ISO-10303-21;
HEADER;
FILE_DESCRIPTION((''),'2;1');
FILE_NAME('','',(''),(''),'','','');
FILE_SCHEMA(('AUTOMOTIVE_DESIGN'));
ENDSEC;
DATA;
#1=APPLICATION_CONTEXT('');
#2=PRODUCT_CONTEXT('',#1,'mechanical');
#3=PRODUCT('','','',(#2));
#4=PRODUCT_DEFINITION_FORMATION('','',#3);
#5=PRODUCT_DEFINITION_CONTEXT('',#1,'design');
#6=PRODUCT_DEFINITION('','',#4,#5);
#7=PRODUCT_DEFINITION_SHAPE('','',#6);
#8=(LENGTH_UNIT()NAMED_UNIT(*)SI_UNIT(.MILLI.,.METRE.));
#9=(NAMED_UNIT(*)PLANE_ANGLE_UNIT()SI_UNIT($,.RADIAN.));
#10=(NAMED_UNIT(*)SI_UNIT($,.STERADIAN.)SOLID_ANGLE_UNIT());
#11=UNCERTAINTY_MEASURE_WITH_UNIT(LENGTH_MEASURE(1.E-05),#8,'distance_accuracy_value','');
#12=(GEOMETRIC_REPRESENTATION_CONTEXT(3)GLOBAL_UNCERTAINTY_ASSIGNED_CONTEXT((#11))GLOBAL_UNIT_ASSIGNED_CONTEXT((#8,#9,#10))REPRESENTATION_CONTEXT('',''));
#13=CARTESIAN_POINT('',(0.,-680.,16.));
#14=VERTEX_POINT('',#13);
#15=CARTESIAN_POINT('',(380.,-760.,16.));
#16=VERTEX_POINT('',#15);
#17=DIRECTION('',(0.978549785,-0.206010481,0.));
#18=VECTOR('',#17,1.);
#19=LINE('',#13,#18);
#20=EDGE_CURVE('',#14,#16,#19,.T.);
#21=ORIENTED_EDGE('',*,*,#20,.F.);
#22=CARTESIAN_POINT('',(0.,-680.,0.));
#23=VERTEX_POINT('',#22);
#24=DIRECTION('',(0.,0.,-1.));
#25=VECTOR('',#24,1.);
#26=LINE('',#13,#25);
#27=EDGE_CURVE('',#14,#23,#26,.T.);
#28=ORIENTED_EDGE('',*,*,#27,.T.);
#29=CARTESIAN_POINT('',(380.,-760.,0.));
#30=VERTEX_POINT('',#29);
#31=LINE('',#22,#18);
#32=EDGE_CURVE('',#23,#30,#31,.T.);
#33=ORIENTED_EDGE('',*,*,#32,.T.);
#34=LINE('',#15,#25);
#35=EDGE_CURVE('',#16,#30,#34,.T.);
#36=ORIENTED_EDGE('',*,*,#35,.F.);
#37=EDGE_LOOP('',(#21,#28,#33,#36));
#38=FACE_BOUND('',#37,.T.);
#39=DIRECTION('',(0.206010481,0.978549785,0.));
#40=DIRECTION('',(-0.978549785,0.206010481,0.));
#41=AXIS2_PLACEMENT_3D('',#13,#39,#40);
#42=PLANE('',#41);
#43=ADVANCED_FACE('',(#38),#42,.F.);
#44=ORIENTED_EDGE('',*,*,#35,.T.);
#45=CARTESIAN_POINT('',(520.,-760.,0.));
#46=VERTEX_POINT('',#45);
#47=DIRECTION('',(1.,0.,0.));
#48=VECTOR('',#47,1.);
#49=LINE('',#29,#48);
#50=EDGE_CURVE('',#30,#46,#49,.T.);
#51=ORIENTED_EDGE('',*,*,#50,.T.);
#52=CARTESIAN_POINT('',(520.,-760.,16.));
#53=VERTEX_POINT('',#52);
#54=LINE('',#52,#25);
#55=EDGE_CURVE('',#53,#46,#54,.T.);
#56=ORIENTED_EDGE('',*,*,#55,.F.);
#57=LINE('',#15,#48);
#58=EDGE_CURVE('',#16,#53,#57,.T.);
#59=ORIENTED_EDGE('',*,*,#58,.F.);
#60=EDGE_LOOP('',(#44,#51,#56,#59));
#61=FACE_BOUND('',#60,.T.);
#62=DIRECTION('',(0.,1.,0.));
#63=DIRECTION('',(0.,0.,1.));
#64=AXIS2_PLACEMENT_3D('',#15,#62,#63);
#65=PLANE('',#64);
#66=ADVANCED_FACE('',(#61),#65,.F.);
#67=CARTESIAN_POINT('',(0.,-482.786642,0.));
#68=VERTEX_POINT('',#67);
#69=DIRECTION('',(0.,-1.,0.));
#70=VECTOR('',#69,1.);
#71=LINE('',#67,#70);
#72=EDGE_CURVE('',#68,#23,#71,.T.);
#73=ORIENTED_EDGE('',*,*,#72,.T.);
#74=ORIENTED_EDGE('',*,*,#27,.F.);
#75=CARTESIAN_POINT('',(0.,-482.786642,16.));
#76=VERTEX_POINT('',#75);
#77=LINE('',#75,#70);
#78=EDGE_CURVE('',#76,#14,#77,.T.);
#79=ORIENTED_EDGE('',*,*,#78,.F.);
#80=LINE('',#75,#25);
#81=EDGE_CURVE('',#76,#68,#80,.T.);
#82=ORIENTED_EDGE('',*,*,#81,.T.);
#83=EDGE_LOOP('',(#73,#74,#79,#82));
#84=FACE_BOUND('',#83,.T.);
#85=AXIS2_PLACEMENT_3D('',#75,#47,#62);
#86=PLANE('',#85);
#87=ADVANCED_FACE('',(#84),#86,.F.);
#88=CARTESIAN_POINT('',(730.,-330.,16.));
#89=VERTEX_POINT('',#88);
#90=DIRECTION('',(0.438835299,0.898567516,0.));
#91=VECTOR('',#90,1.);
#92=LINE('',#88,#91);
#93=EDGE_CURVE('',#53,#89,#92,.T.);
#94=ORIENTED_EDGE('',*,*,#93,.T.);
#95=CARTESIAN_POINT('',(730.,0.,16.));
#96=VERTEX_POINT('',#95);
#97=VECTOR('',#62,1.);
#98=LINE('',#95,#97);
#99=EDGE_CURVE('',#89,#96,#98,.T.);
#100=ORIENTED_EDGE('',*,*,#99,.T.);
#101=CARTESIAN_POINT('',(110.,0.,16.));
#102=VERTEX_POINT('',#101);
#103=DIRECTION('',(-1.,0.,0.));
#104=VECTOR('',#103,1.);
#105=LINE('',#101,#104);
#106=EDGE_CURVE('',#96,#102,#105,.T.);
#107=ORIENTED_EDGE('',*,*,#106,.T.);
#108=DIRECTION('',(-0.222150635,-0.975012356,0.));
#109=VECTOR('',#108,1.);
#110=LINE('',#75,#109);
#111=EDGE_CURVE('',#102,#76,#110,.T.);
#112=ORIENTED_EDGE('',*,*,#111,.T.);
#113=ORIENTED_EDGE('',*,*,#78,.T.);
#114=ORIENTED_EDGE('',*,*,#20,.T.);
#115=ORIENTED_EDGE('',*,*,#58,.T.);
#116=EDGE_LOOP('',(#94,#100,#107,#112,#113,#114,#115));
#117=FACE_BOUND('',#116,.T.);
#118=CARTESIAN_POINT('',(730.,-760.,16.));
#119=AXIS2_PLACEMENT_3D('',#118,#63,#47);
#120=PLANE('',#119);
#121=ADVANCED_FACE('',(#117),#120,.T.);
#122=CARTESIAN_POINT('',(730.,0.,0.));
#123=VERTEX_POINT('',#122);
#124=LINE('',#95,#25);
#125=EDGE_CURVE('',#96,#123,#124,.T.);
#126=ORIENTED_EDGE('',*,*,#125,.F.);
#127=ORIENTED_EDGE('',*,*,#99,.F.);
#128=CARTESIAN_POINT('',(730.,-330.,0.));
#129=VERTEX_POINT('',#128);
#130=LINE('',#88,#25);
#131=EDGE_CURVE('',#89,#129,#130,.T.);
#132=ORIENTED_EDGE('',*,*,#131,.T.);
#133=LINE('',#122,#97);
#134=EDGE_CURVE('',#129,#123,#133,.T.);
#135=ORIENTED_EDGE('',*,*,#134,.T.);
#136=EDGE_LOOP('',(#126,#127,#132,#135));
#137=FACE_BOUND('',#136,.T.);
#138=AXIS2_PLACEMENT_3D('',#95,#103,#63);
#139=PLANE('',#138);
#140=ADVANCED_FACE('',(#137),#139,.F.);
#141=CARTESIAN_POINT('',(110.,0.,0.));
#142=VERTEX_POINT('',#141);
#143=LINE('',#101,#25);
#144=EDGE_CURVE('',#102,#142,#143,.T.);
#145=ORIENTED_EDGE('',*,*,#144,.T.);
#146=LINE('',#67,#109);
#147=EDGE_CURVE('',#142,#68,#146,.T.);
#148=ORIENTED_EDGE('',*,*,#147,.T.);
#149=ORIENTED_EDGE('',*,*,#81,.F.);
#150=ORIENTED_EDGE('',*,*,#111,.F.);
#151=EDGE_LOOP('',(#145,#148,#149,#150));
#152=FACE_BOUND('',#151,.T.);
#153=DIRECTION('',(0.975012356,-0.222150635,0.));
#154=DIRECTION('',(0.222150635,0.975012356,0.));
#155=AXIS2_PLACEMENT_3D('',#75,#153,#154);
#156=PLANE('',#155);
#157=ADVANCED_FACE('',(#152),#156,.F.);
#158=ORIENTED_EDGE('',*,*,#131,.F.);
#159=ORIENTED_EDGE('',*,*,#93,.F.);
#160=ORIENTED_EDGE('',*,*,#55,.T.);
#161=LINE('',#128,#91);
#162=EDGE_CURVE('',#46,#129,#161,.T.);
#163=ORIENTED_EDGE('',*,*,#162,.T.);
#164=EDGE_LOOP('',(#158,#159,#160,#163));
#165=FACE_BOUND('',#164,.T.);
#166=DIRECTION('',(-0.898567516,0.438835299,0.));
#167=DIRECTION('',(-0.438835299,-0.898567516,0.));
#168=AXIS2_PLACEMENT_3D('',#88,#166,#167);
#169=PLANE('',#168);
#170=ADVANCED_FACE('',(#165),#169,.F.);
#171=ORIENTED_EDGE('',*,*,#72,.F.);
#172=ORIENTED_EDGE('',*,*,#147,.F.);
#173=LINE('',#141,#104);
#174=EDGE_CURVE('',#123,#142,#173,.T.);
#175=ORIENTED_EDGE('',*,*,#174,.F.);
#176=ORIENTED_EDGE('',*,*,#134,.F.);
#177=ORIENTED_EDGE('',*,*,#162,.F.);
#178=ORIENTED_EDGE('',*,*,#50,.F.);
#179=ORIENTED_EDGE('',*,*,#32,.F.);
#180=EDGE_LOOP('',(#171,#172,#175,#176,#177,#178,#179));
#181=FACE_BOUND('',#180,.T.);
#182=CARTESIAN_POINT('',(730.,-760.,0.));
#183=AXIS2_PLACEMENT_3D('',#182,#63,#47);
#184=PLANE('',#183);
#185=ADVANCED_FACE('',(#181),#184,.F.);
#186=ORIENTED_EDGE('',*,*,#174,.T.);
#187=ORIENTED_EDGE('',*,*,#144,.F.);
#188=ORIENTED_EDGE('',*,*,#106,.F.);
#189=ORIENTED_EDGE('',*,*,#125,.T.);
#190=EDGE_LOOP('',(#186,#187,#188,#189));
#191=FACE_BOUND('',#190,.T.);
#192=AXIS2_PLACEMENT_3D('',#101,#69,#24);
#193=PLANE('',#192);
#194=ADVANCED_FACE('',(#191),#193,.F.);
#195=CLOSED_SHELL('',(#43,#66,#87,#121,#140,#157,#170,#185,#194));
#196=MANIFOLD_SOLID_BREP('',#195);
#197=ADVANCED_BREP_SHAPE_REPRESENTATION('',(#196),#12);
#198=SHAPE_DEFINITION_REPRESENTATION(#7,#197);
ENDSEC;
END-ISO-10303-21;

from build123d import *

# Parameters (mm, degrees)
SKETCH_1_R         = 13
EXTRUDE_1545_DEPTH = 16
EXTRUDE_1_DEPTH    = 16


with BuildPart() as part:
    # 草图1 → Extrude 1545 (new body)
    with BuildSketch(Plane.XY):
        Polygon((730, -330), (520, -760), (380, -760), (0, -680), (0, -482.786642105), (110, 0), (730, 0), align=None)
        with Locations((510, -70)):
            Circle(SKETCH_1_R, mode=Mode.SUBTRACT)
        with Locations((590, -70)):
            Circle(SKETCH_1_R, mode=Mode.SUBTRACT)
        with Locations((670, -70)):
            Circle(SKETCH_1_R, mode=Mode.SUBTRACT)
        with Locations((510, -150)):
            Circle(SKETCH_1_R, mode=Mode.SUBTRACT)
        with Locations((590, -150)):
            Circle(SKETCH_1_R, mode=Mode.SUBTRACT)
        with Locations((670, -150)):
            Circle(SKETCH_1_R, mode=Mode.SUBTRACT)
        with Locations((510, -230)):
            Circle(SKETCH_1_R, mode=Mode.SUBTRACT)
        with Locations((590, -230)):
            Circle(SKETCH_1_R, mode=Mode.SUBTRACT)
        with Locations((670, -230)):
            Circle(SKETCH_1_R, mode=Mode.SUBTRACT)
        with Locations(Location((230, -230, 0), (0, 0, 180))):
            Circle(SKETCH_1_R, mode=Mode.SUBTRACT)
        with Locations(Location((310, -230, 0), (0, 0, 180))):
            Circle(SKETCH_1_R, mode=Mode.SUBTRACT)
        with Locations(Location((390, -230, 0), (0, 0, 180))):
            Circle(SKETCH_1_R, mode=Mode.SUBTRACT)
        with Locations(Location((230, -150, 0), (0, 0, 180))):
            Circle(SKETCH_1_R, mode=Mode.SUBTRACT)
        with Locations(Location((310, -150, 0), (0, 0, 180))):
            Circle(SKETCH_1_R, mode=Mode.SUBTRACT)
        with Locations(Location((390, -150, 0), (0, 0, 180))):
            Circle(SKETCH_1_R, mode=Mode.SUBTRACT)
        with Locations(Location((230, -70, 0), (0, 0, 180))):
            Circle(SKETCH_1_R, mode=Mode.SUBTRACT)
        with Locations(Location((310, -70, 0), (0, 0, 180))):
            Circle(SKETCH_1_R, mode=Mode.SUBTRACT)
        with Locations(Location((390, -70, 0), (0, 0, 180))):
            Circle(SKETCH_1_R, mode=Mode.SUBTRACT)
        with Locations((150, -70)):
            Circle(SKETCH_1_R, mode=Mode.SUBTRACT)
        with Locations((150, -150)):
            Circle(SKETCH_1_R, mode=Mode.SUBTRACT)
        with Locations((150, -230)):
            Circle(SKETCH_1_R, mode=Mode.SUBTRACT)
        with Locations((590, -370)):
            Circle(SKETCH_1_R, mode=Mode.SUBTRACT)
        with Locations((510, -370)):
            Circle(SKETCH_1_R, mode=Mode.SUBTRACT)
        with Locations(Location((390, -370, 0), (0, 0, 180))):
            Circle(SKETCH_1_R, mode=Mode.SUBTRACT)
        with Locations(Location((310, -370, 0), (0, 0, 180))):
            Circle(SKETCH_1_R, mode=Mode.SUBTRACT)
        with Locations((506, -470)):
            Circle(SKETCH_1_R, mode=Mode.SUBTRACT)
        with Locations((506, -550)):
            Circle(SKETCH_1_R, mode=Mode.SUBTRACT)
        with Locations((506, -630)):
            Circle(SKETCH_1_R, mode=Mode.SUBTRACT)
        with Locations((506, -710)):
            Circle(SKETCH_1_R, mode=Mode.SUBTRACT)
        with Locations(Location((394, -710, 0), (0, 0, 180))):
            Circle(SKETCH_1_R, mode=Mode.SUBTRACT)
        with Locations(Location((394, -630, 0), (0, 0, 180))):
            Circle(SKETCH_1_R, mode=Mode.SUBTRACT)
        with Locations(Location((394, -550, 0), (0, 0, 180))):
            Circle(SKETCH_1_R, mode=Mode.SUBTRACT)
        with Locations(Location((394, -470, 0), (0, 0, 180))):
            Circle(SKETCH_1_R, mode=Mode.SUBTRACT)
        with Locations((149.479377198, -397.484050539)):
            Circle(SKETCH_1_R, mode=Mode.SUBTRACT)
        with Locations((99.493096694, -459.945012437)):
            Circle(SKETCH_1_R, mode=Mode.SUBTRACT)
        with Locations((49.506816189, -522.405974336)):
            Circle(SKETCH_1_R, mode=Mode.SUBTRACT)
        with Locations((61.981497584, -634.85321674)):
            Circle(SKETCH_1_R, mode=Mode.SUBTRACT)
        with Locations((111.967778088, -572.392254841)):
            Circle(SKETCH_1_R, mode=Mode.SUBTRACT)
        with Locations((161.954058593, -509.931292942)):
            Circle(SKETCH_1_R, mode=Mode.SUBTRACT)
        with Locations((211.940339097, -447.470331043)):
            Circle(SKETCH_1_R, mode=Mode.SUBTRACT)
        with Locations(Location((174.428739987, -622.378535345, 0), (0, 0, 180))):
            Circle(SKETCH_1_R, mode=Mode.SUBTRACT)
        with Locations(Location((224.415020492, -559.917573446, 0), (0, 0, 180))):
            Circle(SKETCH_1_R, mode=Mode.SUBTRACT)
        with Locations(Location((274.401300996, -497.456611548, 0), (0, 0, 180))):
            Circle(SKETCH_1_R, mode=Mode.SUBTRACT)
    extrude(amount=EXTRUDE_1545_DEPTH)

    # 草图2 → 凸台-拉伸1 (add)
    with BuildSketch(Plane.XY.offset(16)):
        Polygon((110, 0), (730, 0), (730, -330), (520, -760), (380, -760), (0, -680), (0, -482.786642105), align=None)
    extrude(amount=-EXTRUDE_1_DEPTH)


solid = part.part
